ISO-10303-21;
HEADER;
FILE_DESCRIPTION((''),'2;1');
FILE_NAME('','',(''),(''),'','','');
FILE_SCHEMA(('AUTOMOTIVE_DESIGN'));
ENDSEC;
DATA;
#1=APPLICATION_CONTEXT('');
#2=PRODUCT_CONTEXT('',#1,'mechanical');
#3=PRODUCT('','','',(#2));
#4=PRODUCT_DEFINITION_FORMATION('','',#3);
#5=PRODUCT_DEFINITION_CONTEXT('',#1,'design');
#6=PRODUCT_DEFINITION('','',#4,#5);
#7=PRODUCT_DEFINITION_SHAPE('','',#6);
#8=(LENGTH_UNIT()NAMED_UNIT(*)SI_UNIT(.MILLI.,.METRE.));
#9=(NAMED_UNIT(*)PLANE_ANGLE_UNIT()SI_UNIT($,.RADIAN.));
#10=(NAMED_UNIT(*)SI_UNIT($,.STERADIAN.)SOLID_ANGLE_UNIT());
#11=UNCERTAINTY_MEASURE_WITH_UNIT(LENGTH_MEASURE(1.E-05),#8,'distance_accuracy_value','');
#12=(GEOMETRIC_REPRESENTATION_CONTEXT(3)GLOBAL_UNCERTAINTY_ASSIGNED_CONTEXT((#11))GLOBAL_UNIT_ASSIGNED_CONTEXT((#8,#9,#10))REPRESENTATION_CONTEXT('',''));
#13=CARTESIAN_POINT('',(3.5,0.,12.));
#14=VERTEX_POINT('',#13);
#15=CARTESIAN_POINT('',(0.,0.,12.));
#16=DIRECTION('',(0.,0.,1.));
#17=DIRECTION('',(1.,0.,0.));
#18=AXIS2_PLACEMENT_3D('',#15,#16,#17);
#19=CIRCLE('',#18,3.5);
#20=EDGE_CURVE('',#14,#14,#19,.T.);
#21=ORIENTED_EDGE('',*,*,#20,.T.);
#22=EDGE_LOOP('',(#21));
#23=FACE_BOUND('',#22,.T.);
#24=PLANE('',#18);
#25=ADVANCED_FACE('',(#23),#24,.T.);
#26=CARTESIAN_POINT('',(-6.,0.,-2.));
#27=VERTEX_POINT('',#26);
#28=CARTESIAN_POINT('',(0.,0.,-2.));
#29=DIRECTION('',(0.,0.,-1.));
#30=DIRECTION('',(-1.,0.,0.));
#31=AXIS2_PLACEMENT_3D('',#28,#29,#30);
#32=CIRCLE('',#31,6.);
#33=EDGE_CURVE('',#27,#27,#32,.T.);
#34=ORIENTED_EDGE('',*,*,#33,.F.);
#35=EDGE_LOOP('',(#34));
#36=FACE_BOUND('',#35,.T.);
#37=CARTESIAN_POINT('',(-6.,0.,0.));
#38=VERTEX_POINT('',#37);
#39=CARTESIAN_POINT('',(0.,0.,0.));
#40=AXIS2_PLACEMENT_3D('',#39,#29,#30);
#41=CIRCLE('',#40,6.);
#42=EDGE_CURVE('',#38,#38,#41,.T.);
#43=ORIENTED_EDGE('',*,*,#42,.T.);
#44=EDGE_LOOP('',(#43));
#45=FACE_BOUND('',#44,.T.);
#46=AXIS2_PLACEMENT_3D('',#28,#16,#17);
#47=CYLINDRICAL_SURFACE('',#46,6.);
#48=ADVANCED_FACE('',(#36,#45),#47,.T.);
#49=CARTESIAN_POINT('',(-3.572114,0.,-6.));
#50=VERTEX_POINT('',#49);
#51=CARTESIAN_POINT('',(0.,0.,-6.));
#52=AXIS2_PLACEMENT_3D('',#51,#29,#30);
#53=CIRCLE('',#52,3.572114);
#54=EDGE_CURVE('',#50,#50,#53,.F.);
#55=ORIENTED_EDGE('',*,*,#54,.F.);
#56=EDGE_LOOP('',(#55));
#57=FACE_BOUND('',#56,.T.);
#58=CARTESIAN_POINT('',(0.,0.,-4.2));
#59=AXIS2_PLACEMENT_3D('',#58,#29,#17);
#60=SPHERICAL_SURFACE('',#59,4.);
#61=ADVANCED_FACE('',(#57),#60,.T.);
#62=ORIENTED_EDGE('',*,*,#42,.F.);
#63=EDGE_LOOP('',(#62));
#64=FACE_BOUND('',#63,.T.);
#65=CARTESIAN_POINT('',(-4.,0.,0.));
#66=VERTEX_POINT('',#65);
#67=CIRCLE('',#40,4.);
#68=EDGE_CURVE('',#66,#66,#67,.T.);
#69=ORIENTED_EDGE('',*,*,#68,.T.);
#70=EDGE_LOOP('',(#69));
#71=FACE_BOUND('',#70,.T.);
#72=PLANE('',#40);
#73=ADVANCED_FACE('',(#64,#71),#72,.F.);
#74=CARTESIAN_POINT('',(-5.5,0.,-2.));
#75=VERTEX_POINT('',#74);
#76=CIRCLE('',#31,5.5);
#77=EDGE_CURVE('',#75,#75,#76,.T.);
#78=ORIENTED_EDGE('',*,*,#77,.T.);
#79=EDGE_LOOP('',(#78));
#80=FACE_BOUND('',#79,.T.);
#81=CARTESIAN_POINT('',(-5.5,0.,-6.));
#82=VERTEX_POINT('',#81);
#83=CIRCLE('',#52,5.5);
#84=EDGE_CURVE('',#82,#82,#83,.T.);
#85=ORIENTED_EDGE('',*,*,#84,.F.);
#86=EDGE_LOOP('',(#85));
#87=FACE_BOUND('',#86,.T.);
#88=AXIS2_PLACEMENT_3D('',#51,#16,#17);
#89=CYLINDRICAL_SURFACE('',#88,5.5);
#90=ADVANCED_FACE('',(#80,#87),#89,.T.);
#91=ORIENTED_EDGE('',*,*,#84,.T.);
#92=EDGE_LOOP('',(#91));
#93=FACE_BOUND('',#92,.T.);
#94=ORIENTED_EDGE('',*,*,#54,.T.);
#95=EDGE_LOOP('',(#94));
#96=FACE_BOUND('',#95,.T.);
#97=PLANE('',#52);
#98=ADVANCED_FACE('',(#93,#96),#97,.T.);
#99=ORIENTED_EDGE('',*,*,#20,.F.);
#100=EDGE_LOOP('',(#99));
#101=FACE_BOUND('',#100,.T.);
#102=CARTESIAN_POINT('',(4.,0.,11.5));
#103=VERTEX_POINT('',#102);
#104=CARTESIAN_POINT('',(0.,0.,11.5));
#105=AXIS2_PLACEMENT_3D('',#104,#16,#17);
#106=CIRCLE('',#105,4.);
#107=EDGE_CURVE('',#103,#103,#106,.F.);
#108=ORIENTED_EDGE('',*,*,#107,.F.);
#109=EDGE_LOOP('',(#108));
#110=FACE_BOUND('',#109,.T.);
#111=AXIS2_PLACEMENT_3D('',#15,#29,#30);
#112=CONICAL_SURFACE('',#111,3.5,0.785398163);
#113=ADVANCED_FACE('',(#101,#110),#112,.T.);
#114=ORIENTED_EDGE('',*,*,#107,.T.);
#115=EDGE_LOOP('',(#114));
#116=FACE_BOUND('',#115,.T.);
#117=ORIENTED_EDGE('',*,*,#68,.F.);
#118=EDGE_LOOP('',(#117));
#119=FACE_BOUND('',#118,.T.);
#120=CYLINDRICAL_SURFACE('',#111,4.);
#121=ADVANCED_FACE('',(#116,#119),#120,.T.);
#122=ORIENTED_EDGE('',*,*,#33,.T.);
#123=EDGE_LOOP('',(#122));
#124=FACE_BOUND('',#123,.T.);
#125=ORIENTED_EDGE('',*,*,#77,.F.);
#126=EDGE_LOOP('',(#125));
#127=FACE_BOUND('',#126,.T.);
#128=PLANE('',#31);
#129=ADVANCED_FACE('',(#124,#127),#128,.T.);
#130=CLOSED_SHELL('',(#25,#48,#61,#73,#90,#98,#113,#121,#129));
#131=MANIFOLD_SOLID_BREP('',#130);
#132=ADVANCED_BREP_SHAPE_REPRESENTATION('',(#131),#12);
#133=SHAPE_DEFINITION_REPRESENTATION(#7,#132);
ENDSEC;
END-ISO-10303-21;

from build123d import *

# Parameters (mm, degrees)
SKETCH_1_R      = 4
EXTRUDE_1_DEPTH = 12
SKETCH_2_R      = 6
EXTRUDE_2_DEPTH = 2
SKETCH_3_R      = 5.5
EXTRUDE_3_DEPTH = 4
CHAMFER_1_SIZE  = 0.5


with BuildPart() as part:
    # 草图1 → 凸台-拉伸1 (new body)
    with BuildSketch(Plane.XY):
        Circle(SKETCH_1_R)
    extrude(amount=EXTRUDE_1_DEPTH)

    # 草图2 → 凸台-拉伸2 (add)
    with BuildSketch(Plane(origin=(0, 0, 0), x_dir=(-1, 0, 0), z_dir=(0, 0, -1))):
        Circle(SKETCH_2_R)
    extrude(amount=EXTRUDE_2_DEPTH)

    # 草图3 → 凸台-拉伸3 (add)
    with BuildSketch(Plane(origin=(0, 0, -2), x_dir=(-1, 0, 0), z_dir=(0, 0, -1))):
        Circle(SKETCH_3_R)
    extrude(amount=EXTRUDE_3_DEPTH)

    # 草图4 → 旋转1 (revolve)
    with BuildSketch(Plane(origin=(0, 0, 0), x_dir=(1, 0, 0), z_dir=(0, 1, 0))):
        with BuildLine():
            Line((0, 8.2), (0, 0.2))
            ThreePointArc((0, 0.2), (4, 4.2), (0, 8.2))
        make_face()
    revolve(axis=Axis((0, 0, -9.405734293), (0, 0, 1)))

    # 倒角1
    chamfer_1_edges = [part.edges().sort_by_distance(p)[0] for p in [
        (-4, 0, 12),
    ]]
    chamfer(chamfer_1_edges, length=CHAMFER_1_SIZE)


solid = part.part
